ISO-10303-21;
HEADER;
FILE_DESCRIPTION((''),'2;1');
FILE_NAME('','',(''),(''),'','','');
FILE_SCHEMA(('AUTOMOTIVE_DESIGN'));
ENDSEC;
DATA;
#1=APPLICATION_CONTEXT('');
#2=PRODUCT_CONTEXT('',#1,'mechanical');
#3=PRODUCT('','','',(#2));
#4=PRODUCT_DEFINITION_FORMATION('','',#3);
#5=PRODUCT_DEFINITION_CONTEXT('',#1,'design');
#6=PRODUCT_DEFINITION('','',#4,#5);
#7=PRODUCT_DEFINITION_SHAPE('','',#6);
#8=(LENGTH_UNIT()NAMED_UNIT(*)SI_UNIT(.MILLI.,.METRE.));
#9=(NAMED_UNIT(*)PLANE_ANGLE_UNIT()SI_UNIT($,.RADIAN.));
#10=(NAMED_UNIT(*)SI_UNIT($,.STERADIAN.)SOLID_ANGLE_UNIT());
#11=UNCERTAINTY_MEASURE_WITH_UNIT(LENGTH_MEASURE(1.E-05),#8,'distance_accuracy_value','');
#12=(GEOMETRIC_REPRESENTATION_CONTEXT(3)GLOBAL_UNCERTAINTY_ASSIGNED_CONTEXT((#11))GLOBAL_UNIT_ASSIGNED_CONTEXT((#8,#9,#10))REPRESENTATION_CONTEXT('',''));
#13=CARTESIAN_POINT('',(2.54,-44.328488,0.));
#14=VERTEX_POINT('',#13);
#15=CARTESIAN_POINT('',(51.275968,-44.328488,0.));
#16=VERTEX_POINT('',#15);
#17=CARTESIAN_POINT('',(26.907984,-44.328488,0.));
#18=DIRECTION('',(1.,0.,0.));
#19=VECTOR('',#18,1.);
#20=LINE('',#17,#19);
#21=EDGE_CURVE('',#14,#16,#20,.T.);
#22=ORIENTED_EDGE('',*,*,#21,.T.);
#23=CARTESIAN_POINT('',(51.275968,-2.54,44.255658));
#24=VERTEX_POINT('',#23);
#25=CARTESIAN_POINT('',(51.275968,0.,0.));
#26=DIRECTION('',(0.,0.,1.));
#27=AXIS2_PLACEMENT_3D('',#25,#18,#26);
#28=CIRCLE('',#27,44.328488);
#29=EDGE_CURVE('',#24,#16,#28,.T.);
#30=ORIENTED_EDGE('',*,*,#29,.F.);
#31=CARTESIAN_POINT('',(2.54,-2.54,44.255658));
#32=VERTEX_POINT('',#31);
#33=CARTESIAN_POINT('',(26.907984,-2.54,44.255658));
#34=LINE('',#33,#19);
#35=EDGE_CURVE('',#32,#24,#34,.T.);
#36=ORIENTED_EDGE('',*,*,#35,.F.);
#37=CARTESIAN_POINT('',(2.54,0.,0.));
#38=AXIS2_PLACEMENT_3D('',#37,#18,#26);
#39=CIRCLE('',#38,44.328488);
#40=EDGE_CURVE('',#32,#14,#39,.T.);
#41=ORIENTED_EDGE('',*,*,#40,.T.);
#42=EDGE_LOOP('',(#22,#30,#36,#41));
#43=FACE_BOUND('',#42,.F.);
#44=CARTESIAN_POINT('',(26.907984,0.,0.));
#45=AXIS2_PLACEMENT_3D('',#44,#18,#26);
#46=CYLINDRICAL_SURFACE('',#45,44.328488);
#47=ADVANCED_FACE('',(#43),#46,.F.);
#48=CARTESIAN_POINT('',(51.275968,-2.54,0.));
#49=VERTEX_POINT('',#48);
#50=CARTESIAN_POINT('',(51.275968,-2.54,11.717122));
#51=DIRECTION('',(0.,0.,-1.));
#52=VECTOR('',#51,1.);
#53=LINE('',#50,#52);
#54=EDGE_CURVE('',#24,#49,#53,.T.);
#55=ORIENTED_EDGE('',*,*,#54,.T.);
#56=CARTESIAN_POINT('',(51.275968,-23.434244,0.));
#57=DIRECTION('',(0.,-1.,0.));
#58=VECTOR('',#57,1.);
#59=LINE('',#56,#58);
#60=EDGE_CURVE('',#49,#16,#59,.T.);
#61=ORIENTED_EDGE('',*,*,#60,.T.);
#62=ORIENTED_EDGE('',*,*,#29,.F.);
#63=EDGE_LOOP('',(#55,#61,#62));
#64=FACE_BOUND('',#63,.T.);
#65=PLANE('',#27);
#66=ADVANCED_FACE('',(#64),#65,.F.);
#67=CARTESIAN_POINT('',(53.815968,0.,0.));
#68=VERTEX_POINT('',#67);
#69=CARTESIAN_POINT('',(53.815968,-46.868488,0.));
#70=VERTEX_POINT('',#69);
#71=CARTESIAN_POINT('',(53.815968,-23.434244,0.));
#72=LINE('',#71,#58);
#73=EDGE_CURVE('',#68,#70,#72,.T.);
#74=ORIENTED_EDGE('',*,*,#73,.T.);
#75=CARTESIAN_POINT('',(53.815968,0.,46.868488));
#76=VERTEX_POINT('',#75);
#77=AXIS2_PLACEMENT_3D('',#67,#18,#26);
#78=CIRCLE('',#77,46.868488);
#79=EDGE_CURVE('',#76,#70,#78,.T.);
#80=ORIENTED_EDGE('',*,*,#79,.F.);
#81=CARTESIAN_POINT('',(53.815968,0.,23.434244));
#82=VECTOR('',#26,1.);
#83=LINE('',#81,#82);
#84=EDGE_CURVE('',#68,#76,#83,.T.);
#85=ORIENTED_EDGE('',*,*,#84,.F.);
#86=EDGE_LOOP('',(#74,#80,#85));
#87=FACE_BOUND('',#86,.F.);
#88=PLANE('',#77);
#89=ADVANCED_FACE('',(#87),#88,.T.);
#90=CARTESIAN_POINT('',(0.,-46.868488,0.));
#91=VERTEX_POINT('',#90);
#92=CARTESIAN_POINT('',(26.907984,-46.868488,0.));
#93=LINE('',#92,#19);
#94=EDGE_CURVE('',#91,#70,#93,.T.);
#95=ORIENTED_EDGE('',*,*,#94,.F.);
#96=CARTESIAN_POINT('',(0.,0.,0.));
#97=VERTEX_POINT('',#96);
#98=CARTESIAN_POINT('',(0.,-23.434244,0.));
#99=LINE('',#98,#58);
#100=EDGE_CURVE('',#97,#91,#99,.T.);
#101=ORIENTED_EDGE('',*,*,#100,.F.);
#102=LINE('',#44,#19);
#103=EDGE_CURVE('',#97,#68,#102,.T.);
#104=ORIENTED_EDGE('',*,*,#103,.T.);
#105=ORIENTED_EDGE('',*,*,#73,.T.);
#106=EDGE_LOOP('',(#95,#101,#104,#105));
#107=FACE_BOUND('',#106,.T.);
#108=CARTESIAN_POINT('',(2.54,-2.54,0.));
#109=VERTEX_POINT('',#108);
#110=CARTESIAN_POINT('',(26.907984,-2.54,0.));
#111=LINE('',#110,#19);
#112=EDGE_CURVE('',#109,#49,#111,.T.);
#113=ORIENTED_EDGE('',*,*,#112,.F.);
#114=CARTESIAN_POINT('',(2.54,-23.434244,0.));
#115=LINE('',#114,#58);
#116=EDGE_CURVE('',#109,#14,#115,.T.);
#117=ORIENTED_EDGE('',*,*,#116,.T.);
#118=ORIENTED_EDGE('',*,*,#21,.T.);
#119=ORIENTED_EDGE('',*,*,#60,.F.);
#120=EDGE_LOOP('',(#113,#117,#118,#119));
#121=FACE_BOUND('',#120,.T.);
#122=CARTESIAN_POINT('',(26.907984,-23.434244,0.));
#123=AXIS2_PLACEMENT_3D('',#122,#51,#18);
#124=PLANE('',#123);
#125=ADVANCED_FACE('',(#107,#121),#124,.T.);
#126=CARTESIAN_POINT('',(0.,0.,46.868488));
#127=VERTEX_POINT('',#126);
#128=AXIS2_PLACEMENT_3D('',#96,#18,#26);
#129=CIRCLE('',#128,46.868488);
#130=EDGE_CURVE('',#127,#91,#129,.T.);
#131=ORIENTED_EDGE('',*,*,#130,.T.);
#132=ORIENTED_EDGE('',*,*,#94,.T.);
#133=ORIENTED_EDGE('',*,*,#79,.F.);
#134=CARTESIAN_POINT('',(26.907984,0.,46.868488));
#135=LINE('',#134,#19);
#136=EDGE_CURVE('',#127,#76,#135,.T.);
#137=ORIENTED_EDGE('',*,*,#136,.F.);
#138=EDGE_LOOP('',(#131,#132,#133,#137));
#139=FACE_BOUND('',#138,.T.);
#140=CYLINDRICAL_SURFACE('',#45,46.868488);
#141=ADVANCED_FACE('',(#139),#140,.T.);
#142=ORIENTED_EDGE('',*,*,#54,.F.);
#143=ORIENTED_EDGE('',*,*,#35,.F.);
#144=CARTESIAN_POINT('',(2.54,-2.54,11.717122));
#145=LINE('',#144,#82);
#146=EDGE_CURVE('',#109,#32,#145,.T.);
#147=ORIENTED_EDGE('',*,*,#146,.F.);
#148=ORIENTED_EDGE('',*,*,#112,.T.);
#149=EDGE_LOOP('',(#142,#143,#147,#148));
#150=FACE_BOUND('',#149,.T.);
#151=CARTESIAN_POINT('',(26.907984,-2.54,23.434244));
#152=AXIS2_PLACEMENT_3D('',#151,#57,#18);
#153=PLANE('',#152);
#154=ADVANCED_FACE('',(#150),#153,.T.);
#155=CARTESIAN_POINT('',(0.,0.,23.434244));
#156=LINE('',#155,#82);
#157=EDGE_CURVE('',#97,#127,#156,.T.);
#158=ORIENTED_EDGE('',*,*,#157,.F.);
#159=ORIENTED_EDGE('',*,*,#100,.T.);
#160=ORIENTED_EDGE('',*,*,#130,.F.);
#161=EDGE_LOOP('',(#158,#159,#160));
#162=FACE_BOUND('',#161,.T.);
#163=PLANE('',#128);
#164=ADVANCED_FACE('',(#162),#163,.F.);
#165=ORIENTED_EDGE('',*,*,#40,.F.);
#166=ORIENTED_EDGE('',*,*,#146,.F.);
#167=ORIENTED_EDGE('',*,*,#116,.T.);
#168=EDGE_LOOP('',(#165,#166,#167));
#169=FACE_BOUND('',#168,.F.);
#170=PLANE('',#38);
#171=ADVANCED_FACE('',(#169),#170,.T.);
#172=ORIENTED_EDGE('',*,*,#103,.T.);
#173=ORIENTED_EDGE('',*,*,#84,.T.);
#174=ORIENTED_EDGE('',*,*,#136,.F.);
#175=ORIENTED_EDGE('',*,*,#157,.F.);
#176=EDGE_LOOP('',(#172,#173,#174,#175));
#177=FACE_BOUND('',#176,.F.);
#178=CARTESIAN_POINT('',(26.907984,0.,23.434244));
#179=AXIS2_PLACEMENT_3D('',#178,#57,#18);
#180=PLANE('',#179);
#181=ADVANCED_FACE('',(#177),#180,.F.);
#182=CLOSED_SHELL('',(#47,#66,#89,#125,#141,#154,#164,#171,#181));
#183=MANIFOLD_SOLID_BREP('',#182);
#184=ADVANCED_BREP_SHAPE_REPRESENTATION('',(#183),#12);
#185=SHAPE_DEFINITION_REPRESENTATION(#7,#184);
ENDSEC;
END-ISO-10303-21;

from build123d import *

# Parameters (mm, degrees)
F0_W     = 53.815968
F0_H     = 46.868488
F1_ANGLE = 90
F2_T     = -2.54


with BuildPart() as f1:
    # F0 (on Front) → F1 (revolve)
    with BuildSketch(Plane.XZ):
        with Locations((26.907984, 23.434244)):
            Rectangle(F0_W, F0_H)
    revolve(axis=Axis((26.907984, 0, 0), (1, 0, 0)), revolution_arc=F1_ANGLE)

    # F2
    f2_openings = [f1.faces().sort_by_distance(p)[0] for p in [
        (26.907984, -23.434244, 0),
    ]]
    offset(amount=F2_T, openings=f2_openings)


solid = f1.part
